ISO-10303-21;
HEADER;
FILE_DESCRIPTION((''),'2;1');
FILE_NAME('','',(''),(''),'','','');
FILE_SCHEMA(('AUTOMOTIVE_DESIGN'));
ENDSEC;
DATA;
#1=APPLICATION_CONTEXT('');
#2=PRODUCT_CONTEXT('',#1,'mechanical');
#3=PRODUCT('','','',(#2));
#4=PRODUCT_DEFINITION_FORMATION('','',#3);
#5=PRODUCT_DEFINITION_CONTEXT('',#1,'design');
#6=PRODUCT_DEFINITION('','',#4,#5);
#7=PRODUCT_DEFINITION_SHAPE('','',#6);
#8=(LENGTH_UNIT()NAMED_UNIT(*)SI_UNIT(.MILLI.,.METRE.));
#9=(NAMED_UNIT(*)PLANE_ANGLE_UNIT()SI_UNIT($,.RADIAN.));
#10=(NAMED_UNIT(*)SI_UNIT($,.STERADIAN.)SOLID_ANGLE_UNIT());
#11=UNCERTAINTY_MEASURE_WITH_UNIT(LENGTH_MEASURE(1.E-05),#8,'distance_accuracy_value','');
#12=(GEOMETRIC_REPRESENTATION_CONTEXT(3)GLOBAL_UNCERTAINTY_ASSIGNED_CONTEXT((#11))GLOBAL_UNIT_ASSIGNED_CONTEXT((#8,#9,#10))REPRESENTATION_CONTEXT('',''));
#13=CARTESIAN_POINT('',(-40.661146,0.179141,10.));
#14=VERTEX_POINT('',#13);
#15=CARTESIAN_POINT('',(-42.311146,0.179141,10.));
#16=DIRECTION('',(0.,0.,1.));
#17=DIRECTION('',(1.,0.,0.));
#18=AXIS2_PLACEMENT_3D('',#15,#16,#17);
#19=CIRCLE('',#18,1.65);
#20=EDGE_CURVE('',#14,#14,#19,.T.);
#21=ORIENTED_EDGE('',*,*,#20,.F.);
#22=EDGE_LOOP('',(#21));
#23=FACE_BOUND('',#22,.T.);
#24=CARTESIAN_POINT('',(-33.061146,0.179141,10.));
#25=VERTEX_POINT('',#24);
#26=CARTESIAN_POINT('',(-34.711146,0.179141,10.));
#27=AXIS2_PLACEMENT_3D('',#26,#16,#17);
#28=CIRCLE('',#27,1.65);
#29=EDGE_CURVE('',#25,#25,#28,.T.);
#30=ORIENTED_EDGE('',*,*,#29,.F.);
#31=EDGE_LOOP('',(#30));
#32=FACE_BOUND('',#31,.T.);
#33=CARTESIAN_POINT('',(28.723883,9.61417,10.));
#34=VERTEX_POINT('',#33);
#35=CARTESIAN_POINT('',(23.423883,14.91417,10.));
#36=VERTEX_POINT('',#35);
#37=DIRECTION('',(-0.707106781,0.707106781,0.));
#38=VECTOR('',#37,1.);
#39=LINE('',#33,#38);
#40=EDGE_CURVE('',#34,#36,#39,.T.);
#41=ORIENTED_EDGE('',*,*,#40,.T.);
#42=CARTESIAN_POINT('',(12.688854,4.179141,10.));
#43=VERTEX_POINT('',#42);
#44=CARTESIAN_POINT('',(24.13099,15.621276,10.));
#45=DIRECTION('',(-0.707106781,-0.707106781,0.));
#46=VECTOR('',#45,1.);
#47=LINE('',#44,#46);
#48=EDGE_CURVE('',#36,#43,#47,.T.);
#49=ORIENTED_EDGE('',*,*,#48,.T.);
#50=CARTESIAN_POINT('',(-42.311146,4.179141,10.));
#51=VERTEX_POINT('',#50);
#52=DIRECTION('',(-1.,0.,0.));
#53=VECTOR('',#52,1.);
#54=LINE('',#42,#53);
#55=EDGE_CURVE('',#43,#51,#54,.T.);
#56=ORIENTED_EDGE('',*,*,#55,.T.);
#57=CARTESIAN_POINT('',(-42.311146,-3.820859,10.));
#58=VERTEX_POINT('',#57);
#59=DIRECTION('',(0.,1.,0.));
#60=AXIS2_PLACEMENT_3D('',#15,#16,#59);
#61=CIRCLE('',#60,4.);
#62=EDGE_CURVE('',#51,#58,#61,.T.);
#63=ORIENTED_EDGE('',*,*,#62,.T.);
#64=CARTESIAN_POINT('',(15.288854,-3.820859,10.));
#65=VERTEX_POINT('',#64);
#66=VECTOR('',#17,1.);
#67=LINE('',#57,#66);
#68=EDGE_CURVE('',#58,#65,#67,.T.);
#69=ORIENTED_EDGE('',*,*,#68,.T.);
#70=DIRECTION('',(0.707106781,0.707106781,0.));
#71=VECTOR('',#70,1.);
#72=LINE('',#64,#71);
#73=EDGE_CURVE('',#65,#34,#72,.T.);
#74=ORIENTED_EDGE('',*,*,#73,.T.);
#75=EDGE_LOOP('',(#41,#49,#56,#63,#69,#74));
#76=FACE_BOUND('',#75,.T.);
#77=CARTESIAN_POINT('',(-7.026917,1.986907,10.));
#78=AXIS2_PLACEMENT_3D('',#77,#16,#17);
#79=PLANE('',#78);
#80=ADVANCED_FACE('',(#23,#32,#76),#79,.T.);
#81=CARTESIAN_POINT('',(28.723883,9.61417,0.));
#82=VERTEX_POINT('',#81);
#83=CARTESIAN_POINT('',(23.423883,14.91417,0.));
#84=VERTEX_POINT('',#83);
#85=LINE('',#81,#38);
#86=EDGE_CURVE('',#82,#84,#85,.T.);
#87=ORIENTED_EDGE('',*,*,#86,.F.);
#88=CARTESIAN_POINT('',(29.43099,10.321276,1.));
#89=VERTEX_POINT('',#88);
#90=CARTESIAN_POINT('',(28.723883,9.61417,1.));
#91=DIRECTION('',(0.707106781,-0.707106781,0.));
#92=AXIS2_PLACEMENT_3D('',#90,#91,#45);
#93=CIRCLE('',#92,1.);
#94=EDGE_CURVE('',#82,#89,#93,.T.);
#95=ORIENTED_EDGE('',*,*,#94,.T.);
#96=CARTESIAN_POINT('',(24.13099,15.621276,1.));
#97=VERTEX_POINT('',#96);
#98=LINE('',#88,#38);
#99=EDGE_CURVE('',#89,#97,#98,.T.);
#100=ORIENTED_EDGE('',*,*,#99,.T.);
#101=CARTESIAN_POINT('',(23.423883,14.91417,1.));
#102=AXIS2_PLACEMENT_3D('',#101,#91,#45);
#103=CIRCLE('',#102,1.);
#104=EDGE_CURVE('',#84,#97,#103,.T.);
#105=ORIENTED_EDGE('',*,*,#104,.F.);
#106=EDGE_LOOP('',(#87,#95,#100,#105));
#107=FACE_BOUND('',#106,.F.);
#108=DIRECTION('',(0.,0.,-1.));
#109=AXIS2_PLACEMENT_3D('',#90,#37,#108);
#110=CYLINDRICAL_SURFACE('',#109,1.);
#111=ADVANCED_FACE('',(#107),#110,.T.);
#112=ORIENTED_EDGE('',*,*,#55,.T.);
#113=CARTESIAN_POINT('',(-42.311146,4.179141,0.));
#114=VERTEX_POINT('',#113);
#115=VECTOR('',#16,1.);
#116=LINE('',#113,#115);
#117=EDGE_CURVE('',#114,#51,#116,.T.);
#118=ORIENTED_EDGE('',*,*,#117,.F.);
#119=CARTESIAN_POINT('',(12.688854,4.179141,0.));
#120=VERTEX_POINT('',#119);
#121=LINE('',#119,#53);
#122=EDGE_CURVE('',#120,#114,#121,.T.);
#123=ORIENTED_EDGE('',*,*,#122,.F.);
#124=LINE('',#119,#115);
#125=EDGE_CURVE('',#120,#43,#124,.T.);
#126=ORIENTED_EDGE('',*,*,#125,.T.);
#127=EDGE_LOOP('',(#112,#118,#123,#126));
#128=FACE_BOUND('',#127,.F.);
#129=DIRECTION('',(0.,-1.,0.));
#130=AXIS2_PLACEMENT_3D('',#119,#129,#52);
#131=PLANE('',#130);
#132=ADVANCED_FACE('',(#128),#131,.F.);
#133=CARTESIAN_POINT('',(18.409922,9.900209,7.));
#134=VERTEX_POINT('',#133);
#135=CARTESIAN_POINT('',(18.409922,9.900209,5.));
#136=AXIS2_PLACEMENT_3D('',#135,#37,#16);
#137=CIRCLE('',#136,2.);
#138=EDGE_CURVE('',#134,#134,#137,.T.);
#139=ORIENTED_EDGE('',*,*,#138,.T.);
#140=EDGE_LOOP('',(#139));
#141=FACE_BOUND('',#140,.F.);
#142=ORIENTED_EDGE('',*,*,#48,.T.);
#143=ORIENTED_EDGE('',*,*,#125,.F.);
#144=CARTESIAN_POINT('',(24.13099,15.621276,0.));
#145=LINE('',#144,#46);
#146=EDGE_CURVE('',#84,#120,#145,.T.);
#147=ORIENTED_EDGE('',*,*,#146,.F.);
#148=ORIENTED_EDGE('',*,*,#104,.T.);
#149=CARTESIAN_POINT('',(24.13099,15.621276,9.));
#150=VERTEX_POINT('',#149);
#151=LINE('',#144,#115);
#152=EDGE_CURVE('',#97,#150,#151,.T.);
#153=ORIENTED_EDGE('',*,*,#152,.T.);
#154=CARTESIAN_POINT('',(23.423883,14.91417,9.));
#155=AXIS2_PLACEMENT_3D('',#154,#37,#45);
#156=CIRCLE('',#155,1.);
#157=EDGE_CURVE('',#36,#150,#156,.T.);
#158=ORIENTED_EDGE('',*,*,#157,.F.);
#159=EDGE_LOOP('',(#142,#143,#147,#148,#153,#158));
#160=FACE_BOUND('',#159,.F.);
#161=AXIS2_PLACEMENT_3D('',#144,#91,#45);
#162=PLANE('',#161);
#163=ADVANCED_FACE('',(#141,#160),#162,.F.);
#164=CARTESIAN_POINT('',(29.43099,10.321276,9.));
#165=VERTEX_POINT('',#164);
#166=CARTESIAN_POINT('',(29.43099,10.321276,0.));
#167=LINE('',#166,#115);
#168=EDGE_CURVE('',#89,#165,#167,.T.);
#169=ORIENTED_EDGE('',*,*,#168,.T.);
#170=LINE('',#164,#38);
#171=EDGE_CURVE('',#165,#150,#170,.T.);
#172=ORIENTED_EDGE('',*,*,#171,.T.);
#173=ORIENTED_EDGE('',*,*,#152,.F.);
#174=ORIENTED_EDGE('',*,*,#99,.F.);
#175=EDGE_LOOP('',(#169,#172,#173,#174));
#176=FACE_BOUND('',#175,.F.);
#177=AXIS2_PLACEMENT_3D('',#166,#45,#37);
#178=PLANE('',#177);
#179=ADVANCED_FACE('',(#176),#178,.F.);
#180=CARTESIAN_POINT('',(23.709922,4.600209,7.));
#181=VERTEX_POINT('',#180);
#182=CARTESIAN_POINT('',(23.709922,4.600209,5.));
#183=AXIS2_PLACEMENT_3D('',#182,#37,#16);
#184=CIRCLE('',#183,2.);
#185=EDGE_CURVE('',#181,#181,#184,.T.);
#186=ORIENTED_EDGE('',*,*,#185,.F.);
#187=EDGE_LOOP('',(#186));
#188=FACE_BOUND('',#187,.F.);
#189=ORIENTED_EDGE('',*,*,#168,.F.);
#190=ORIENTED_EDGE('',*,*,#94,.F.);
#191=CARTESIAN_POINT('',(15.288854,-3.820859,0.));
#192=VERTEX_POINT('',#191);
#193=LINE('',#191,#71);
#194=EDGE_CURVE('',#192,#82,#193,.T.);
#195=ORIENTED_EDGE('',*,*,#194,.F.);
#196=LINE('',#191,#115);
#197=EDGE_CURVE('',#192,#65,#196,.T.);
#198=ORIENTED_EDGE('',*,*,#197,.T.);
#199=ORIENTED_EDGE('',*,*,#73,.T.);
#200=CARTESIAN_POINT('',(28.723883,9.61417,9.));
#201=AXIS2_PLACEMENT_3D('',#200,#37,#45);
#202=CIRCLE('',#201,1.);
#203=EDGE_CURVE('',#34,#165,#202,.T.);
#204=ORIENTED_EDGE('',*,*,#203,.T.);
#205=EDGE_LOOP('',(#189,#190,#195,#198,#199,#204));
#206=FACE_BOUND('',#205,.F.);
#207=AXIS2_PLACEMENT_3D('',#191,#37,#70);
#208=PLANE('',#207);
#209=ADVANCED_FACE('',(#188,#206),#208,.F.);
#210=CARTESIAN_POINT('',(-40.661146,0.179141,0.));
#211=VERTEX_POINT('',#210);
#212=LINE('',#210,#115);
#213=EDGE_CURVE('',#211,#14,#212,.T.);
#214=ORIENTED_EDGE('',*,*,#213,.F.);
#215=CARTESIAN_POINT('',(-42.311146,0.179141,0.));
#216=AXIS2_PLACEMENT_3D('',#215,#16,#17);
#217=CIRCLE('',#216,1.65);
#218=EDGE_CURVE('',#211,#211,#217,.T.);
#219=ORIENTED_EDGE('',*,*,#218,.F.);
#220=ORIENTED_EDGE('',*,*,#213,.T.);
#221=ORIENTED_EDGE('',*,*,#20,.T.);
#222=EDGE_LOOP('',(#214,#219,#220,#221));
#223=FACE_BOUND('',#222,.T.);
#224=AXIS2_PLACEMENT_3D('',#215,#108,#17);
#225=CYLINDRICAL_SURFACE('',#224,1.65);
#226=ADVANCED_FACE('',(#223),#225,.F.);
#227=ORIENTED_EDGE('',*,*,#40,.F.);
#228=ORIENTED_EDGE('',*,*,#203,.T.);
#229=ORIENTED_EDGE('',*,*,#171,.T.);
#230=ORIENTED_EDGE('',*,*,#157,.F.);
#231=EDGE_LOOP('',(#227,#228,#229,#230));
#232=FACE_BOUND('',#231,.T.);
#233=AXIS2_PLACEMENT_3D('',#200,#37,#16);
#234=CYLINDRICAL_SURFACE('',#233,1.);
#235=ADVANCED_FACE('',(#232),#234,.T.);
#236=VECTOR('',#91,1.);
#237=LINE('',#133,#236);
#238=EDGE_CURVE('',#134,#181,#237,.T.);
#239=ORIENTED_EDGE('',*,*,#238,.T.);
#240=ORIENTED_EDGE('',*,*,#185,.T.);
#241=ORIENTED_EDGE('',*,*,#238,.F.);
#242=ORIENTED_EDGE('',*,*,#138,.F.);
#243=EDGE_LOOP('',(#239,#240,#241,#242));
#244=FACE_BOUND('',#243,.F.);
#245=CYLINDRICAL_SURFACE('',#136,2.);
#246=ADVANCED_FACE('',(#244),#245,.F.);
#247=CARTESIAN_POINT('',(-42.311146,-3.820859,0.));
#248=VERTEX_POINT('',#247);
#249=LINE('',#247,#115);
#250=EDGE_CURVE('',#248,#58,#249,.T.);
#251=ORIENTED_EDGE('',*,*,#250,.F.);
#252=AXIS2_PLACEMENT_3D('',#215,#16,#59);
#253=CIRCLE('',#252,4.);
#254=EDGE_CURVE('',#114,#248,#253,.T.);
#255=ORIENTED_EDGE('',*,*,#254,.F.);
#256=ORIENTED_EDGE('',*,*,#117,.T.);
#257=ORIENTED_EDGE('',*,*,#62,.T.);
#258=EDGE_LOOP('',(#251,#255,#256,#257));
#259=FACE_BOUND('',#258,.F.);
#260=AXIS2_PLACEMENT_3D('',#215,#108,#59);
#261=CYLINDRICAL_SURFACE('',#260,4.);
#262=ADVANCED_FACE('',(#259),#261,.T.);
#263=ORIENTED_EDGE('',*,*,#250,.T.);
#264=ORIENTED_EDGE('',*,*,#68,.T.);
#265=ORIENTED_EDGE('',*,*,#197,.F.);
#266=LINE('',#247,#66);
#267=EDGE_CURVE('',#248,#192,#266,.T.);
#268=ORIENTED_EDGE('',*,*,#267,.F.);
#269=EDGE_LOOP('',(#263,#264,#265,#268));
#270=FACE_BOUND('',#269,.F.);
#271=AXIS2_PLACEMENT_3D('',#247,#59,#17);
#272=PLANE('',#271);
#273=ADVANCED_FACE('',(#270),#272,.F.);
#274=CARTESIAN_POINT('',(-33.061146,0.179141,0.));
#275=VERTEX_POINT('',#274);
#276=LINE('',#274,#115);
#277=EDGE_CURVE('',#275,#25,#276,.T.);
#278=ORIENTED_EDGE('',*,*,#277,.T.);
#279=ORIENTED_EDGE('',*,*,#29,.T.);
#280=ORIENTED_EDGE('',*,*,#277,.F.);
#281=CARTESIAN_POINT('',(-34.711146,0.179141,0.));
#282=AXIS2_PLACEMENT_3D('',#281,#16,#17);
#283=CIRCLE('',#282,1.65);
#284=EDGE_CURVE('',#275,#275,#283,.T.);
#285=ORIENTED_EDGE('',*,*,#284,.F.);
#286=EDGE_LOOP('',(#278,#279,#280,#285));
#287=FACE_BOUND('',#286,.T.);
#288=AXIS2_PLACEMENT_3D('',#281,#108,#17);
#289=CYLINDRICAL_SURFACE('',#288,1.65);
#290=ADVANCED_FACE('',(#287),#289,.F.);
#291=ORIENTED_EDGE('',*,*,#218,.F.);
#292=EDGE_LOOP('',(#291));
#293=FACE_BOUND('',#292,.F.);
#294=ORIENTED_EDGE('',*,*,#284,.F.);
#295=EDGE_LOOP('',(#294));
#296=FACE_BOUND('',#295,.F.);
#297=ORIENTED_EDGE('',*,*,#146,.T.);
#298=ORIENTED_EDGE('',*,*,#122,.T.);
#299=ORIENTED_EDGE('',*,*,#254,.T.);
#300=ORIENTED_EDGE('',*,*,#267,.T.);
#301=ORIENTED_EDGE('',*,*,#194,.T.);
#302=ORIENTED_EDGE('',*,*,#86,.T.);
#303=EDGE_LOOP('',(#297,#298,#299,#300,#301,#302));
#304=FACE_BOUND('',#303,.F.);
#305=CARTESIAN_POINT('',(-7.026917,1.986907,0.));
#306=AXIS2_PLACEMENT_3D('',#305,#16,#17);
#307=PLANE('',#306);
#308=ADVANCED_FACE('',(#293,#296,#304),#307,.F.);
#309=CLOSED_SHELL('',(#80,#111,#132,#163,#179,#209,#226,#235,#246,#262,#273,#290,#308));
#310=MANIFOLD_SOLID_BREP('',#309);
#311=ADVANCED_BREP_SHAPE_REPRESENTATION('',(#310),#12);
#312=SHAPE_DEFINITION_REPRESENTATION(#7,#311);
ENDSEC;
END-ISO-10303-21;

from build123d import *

# Parameters (mm, degrees)
SKETCH1_R           = 1.65
BOSS_EXTRUDE1_DEPTH = 10
SKETCH2_R           = 2
CUT_EXTRUDE1_DEPTH  = 18.495331881
FILLET1_R           = 1


with BuildPart() as part:
    # Sketch1 → Boss-Extrude1 (new body)
    with BuildSketch(Plane.XY):
        with BuildLine():
            Line((12.688854384, 4.179140788), (-42.311145616, 4.179140788))
            ThreePointArc((-42.311145616, 4.179140788), (-46.311145616, 0.179140788), (-42.311145616, -3.820859212))
            Line((-42.311145616, -3.820859212), (15.288854384, -3.820859212))
            Line((15.288854384, -3.820859212), (29.430990008, 10.321276412))
            Line((29.430990008, 10.321276412), (24.130990008, 15.621276412))
            Line((24.130990008, 15.621276412), (12.688854384, 4.179140788))
        make_face()
        with Locations((-34.711145616, 0.179140788)):
            Circle(SKETCH1_R, mode=Mode.SUBTRACT)
        with Locations((-42.311145616, 0.179140788)):
            Circle(SKETCH1_R, mode=Mode.SUBTRACT)
    extrude(amount=BOSS_EXTRUDE1_DEPTH)

    # Sketch2 → Cut-Extrude1 (cut, through all)
    with BuildSketch(Plane(origin=(4.254856798, -4.254856798, 0), x_dir=(0, 0, 1), z_dir=(-0.707106781, 0.707106781, 0))):
        with Locations((5, 20.018285462)):
            Circle(SKETCH2_R)
    extrude(amount=-CUT_EXTRUDE1_DEPTH, mode=Mode.SUBTRACT)

    # Fillet1
    fillet1_edges = [part.edges().sort_by_distance(p)[0] for p in [
        (26.780990008, 12.971276412, 0),
        (26.780990008, 12.971276412, 10),
    ]]
    fillet(fillet1_edges, radius=FILLET1_R)


solid = part.part
